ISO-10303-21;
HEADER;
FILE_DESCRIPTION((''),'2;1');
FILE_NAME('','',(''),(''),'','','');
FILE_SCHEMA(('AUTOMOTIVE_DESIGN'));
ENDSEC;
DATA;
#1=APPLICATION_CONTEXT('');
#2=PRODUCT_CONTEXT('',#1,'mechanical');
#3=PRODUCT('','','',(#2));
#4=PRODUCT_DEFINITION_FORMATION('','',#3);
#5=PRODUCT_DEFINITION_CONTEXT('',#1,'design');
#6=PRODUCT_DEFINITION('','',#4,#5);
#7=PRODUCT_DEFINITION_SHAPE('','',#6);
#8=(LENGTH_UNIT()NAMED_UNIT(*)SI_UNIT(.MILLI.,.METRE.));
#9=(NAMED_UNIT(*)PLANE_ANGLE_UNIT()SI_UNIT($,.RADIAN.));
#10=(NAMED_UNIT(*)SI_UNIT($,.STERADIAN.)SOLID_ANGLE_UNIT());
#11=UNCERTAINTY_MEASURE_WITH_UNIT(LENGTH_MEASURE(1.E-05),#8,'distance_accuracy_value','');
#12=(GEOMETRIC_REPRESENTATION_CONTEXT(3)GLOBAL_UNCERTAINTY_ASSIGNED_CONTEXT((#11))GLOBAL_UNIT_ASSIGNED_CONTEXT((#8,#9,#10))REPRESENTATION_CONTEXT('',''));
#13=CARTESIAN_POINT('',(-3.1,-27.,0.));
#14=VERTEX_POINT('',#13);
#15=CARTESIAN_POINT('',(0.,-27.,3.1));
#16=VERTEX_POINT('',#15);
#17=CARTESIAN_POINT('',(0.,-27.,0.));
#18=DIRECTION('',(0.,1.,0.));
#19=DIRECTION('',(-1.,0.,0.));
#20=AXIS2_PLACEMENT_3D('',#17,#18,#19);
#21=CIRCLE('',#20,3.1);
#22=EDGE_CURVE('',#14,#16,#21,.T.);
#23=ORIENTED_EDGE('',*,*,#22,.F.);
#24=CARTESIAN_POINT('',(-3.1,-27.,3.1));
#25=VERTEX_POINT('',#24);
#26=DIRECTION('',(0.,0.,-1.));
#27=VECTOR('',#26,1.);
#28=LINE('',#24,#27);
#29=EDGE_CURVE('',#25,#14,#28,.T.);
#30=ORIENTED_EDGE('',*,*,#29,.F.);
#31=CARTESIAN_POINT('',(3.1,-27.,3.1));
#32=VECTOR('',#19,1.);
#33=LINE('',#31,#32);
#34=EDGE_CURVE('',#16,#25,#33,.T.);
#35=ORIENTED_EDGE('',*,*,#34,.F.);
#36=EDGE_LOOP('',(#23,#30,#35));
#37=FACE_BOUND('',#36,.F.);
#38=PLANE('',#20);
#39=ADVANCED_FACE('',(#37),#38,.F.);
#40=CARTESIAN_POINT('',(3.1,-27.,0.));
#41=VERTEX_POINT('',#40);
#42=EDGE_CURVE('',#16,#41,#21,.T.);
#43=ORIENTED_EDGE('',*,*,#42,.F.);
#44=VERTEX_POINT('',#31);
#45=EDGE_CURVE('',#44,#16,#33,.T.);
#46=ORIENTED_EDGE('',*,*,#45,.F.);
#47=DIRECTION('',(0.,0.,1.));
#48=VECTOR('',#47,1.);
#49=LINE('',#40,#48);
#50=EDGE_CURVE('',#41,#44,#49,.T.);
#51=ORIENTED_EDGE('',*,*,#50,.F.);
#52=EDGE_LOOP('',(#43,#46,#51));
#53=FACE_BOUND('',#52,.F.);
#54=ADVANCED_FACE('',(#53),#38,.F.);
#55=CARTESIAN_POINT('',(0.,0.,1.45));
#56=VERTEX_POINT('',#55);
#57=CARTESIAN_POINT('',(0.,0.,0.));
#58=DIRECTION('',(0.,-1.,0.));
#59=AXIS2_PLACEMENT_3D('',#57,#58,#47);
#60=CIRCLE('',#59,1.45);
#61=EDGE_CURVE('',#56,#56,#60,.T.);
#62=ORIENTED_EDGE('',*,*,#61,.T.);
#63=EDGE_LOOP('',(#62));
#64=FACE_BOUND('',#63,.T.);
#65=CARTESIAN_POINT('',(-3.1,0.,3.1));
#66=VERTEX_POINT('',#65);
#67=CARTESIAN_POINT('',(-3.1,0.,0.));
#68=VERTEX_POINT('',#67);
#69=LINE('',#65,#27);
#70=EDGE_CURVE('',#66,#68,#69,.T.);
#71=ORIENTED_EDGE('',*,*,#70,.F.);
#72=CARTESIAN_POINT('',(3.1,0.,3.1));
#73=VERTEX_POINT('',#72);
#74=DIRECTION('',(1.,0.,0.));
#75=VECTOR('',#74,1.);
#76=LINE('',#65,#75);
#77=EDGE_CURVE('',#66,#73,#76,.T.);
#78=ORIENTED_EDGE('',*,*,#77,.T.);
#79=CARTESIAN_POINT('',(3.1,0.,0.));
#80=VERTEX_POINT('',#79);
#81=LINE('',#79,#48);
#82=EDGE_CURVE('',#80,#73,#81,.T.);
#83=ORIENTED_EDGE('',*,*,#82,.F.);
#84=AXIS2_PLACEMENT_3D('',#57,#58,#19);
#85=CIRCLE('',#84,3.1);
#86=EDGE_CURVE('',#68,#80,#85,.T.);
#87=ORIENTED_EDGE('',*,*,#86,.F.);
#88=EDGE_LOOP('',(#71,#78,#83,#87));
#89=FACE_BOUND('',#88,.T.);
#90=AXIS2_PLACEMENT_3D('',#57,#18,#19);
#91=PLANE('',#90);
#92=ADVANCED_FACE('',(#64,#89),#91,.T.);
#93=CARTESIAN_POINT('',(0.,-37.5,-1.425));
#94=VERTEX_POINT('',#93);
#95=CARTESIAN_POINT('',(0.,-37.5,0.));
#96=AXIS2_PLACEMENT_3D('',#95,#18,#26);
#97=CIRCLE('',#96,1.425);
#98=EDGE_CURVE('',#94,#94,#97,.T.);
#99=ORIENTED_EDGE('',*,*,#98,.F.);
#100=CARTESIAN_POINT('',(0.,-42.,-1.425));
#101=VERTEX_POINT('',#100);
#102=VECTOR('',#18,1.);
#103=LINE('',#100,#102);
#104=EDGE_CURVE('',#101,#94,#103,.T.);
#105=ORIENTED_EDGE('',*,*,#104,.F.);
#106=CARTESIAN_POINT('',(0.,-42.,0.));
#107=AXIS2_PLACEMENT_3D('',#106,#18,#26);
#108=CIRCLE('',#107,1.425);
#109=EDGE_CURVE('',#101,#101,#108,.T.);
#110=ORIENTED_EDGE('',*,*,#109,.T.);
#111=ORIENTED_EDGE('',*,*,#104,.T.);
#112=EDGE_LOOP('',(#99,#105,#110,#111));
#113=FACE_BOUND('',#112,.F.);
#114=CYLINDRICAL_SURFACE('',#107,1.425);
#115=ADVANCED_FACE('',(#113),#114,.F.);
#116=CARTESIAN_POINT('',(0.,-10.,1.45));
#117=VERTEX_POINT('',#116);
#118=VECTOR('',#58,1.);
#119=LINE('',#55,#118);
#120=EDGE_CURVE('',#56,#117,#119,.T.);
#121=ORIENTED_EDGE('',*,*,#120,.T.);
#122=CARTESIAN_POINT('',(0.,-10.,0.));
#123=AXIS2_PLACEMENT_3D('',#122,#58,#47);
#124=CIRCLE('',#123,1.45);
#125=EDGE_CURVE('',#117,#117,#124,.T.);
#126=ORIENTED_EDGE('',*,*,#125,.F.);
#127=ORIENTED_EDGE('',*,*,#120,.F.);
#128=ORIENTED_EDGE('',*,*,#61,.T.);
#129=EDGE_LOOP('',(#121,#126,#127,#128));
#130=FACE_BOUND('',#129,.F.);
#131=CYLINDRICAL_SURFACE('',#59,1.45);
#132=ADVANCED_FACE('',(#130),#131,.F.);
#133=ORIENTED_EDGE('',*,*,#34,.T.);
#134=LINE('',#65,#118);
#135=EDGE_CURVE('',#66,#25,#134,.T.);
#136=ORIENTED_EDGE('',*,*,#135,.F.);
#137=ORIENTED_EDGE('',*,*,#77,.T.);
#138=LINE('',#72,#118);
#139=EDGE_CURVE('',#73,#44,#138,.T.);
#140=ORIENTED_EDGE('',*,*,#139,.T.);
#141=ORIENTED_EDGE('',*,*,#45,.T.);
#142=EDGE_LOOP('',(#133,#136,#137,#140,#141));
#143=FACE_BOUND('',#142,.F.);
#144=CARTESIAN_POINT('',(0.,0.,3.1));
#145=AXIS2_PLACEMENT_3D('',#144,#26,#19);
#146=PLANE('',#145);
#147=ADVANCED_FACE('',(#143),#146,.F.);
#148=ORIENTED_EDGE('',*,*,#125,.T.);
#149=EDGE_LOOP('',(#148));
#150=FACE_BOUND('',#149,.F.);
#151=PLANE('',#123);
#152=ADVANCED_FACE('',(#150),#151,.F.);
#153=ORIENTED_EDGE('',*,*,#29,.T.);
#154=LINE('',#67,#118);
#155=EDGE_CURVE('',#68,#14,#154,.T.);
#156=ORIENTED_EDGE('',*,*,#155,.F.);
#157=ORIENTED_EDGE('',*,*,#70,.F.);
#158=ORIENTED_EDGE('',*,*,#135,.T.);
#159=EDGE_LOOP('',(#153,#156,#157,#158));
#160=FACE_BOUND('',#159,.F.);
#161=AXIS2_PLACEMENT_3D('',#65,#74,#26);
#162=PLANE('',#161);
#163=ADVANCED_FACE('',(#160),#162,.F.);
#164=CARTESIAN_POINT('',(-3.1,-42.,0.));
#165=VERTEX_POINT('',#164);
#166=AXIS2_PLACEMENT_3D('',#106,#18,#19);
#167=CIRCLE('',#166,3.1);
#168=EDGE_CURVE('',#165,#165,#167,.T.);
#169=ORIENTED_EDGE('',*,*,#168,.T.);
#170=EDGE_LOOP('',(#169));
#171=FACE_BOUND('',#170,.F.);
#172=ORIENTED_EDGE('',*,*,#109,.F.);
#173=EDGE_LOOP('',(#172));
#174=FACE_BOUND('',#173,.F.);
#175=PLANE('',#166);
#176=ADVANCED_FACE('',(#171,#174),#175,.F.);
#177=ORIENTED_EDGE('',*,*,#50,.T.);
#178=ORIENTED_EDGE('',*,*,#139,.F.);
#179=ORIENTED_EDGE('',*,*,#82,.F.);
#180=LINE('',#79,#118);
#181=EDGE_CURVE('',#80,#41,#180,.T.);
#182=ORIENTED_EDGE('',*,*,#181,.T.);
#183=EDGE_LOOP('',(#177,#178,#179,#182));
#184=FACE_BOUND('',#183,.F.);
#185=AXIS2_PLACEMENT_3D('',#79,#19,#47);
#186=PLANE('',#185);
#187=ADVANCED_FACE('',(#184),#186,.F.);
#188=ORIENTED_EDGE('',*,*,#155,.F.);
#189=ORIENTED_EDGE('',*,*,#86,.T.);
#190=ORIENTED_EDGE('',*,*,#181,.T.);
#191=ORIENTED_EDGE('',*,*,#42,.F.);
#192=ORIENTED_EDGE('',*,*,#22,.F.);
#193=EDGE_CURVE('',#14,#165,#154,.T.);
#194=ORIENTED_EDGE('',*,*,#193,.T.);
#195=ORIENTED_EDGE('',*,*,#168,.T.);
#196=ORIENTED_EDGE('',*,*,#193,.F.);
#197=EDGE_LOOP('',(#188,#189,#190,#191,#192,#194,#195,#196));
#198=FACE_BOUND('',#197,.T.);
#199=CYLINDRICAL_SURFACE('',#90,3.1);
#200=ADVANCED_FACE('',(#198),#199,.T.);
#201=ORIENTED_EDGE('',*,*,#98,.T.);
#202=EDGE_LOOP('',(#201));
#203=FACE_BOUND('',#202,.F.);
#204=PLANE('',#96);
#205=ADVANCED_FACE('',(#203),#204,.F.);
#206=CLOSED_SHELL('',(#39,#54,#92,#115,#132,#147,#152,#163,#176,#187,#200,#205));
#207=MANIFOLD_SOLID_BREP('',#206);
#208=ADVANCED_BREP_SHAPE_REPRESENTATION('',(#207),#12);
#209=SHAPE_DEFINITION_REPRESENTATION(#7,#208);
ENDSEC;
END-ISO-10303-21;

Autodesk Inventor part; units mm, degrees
ref_plane "YZ Plane" through (0, 0, 0) normal (1, 0, 0) x (0, 1, 0)
ref_plane "XZ Plane" through (0, 0, 0) normal (0, 1, 0) x (-1, 0, 0)
ref_plane "XY Plane" through (0, 0, 0) normal (0, 0, 1) x (1, 0, 0)
sketch "Náčrt1" plane through (0, 0, 0) normal (0, 1, 0) x (-1, 0, 0)
  circle A0 centre (0, 0) radius 3.1
  circle A1 centre (0, 0) radius 1.45
  line L0 (3.1, 0) -> (-3.1, 0)
  line L1 (-3.1, 0) -> (-3.1, 3.1)
  line L2 (-3.1, 3.1) -> (3.1, 3.1)
  line L3 (3.1, 3.1) -> (3.1, 0)
  point P0 (0, 3.1)
  dimension "d0" = 6.2
  dimension "d1" = 2.9
extrude "Vysunutí1" add sketch "Náčrt1" against normal blind 42 contours L0 A1 A0 | A0 L0 A1 | L0 A1 | A1 L0
extrude "Vysunutí2" add sketch "Náčrt1" against normal blind 27 contours L1 L2 A0 | A0 L2 L3
sketch "Náčrt2" plane through (0, 0, 0) normal (0, 1, 0) x (1, 0, 0)
  circle A0 centre (0, 0) radius 3.1 projected
  point P0 (-3.1, 0)
  point P1 (3.1, 0)
hole "Díra1" at (0, 0, 0) direction (0, -1, 0) diameter 2.9 depth 10
sketch "Náčrt3" plane through (0, -42, 0) normal (0, -1, 0) x (1, 0, 0)
  circle A0 centre (0, 0) radius 3.1 projected
  point P0 (3.1, 0)
  point P1 (-3.1, 0)
hole "Díra2" at (0, -42, 0) direction (0, 1, 0) diameter 2.85 depth 4.5
properties part number "spojka v2"
